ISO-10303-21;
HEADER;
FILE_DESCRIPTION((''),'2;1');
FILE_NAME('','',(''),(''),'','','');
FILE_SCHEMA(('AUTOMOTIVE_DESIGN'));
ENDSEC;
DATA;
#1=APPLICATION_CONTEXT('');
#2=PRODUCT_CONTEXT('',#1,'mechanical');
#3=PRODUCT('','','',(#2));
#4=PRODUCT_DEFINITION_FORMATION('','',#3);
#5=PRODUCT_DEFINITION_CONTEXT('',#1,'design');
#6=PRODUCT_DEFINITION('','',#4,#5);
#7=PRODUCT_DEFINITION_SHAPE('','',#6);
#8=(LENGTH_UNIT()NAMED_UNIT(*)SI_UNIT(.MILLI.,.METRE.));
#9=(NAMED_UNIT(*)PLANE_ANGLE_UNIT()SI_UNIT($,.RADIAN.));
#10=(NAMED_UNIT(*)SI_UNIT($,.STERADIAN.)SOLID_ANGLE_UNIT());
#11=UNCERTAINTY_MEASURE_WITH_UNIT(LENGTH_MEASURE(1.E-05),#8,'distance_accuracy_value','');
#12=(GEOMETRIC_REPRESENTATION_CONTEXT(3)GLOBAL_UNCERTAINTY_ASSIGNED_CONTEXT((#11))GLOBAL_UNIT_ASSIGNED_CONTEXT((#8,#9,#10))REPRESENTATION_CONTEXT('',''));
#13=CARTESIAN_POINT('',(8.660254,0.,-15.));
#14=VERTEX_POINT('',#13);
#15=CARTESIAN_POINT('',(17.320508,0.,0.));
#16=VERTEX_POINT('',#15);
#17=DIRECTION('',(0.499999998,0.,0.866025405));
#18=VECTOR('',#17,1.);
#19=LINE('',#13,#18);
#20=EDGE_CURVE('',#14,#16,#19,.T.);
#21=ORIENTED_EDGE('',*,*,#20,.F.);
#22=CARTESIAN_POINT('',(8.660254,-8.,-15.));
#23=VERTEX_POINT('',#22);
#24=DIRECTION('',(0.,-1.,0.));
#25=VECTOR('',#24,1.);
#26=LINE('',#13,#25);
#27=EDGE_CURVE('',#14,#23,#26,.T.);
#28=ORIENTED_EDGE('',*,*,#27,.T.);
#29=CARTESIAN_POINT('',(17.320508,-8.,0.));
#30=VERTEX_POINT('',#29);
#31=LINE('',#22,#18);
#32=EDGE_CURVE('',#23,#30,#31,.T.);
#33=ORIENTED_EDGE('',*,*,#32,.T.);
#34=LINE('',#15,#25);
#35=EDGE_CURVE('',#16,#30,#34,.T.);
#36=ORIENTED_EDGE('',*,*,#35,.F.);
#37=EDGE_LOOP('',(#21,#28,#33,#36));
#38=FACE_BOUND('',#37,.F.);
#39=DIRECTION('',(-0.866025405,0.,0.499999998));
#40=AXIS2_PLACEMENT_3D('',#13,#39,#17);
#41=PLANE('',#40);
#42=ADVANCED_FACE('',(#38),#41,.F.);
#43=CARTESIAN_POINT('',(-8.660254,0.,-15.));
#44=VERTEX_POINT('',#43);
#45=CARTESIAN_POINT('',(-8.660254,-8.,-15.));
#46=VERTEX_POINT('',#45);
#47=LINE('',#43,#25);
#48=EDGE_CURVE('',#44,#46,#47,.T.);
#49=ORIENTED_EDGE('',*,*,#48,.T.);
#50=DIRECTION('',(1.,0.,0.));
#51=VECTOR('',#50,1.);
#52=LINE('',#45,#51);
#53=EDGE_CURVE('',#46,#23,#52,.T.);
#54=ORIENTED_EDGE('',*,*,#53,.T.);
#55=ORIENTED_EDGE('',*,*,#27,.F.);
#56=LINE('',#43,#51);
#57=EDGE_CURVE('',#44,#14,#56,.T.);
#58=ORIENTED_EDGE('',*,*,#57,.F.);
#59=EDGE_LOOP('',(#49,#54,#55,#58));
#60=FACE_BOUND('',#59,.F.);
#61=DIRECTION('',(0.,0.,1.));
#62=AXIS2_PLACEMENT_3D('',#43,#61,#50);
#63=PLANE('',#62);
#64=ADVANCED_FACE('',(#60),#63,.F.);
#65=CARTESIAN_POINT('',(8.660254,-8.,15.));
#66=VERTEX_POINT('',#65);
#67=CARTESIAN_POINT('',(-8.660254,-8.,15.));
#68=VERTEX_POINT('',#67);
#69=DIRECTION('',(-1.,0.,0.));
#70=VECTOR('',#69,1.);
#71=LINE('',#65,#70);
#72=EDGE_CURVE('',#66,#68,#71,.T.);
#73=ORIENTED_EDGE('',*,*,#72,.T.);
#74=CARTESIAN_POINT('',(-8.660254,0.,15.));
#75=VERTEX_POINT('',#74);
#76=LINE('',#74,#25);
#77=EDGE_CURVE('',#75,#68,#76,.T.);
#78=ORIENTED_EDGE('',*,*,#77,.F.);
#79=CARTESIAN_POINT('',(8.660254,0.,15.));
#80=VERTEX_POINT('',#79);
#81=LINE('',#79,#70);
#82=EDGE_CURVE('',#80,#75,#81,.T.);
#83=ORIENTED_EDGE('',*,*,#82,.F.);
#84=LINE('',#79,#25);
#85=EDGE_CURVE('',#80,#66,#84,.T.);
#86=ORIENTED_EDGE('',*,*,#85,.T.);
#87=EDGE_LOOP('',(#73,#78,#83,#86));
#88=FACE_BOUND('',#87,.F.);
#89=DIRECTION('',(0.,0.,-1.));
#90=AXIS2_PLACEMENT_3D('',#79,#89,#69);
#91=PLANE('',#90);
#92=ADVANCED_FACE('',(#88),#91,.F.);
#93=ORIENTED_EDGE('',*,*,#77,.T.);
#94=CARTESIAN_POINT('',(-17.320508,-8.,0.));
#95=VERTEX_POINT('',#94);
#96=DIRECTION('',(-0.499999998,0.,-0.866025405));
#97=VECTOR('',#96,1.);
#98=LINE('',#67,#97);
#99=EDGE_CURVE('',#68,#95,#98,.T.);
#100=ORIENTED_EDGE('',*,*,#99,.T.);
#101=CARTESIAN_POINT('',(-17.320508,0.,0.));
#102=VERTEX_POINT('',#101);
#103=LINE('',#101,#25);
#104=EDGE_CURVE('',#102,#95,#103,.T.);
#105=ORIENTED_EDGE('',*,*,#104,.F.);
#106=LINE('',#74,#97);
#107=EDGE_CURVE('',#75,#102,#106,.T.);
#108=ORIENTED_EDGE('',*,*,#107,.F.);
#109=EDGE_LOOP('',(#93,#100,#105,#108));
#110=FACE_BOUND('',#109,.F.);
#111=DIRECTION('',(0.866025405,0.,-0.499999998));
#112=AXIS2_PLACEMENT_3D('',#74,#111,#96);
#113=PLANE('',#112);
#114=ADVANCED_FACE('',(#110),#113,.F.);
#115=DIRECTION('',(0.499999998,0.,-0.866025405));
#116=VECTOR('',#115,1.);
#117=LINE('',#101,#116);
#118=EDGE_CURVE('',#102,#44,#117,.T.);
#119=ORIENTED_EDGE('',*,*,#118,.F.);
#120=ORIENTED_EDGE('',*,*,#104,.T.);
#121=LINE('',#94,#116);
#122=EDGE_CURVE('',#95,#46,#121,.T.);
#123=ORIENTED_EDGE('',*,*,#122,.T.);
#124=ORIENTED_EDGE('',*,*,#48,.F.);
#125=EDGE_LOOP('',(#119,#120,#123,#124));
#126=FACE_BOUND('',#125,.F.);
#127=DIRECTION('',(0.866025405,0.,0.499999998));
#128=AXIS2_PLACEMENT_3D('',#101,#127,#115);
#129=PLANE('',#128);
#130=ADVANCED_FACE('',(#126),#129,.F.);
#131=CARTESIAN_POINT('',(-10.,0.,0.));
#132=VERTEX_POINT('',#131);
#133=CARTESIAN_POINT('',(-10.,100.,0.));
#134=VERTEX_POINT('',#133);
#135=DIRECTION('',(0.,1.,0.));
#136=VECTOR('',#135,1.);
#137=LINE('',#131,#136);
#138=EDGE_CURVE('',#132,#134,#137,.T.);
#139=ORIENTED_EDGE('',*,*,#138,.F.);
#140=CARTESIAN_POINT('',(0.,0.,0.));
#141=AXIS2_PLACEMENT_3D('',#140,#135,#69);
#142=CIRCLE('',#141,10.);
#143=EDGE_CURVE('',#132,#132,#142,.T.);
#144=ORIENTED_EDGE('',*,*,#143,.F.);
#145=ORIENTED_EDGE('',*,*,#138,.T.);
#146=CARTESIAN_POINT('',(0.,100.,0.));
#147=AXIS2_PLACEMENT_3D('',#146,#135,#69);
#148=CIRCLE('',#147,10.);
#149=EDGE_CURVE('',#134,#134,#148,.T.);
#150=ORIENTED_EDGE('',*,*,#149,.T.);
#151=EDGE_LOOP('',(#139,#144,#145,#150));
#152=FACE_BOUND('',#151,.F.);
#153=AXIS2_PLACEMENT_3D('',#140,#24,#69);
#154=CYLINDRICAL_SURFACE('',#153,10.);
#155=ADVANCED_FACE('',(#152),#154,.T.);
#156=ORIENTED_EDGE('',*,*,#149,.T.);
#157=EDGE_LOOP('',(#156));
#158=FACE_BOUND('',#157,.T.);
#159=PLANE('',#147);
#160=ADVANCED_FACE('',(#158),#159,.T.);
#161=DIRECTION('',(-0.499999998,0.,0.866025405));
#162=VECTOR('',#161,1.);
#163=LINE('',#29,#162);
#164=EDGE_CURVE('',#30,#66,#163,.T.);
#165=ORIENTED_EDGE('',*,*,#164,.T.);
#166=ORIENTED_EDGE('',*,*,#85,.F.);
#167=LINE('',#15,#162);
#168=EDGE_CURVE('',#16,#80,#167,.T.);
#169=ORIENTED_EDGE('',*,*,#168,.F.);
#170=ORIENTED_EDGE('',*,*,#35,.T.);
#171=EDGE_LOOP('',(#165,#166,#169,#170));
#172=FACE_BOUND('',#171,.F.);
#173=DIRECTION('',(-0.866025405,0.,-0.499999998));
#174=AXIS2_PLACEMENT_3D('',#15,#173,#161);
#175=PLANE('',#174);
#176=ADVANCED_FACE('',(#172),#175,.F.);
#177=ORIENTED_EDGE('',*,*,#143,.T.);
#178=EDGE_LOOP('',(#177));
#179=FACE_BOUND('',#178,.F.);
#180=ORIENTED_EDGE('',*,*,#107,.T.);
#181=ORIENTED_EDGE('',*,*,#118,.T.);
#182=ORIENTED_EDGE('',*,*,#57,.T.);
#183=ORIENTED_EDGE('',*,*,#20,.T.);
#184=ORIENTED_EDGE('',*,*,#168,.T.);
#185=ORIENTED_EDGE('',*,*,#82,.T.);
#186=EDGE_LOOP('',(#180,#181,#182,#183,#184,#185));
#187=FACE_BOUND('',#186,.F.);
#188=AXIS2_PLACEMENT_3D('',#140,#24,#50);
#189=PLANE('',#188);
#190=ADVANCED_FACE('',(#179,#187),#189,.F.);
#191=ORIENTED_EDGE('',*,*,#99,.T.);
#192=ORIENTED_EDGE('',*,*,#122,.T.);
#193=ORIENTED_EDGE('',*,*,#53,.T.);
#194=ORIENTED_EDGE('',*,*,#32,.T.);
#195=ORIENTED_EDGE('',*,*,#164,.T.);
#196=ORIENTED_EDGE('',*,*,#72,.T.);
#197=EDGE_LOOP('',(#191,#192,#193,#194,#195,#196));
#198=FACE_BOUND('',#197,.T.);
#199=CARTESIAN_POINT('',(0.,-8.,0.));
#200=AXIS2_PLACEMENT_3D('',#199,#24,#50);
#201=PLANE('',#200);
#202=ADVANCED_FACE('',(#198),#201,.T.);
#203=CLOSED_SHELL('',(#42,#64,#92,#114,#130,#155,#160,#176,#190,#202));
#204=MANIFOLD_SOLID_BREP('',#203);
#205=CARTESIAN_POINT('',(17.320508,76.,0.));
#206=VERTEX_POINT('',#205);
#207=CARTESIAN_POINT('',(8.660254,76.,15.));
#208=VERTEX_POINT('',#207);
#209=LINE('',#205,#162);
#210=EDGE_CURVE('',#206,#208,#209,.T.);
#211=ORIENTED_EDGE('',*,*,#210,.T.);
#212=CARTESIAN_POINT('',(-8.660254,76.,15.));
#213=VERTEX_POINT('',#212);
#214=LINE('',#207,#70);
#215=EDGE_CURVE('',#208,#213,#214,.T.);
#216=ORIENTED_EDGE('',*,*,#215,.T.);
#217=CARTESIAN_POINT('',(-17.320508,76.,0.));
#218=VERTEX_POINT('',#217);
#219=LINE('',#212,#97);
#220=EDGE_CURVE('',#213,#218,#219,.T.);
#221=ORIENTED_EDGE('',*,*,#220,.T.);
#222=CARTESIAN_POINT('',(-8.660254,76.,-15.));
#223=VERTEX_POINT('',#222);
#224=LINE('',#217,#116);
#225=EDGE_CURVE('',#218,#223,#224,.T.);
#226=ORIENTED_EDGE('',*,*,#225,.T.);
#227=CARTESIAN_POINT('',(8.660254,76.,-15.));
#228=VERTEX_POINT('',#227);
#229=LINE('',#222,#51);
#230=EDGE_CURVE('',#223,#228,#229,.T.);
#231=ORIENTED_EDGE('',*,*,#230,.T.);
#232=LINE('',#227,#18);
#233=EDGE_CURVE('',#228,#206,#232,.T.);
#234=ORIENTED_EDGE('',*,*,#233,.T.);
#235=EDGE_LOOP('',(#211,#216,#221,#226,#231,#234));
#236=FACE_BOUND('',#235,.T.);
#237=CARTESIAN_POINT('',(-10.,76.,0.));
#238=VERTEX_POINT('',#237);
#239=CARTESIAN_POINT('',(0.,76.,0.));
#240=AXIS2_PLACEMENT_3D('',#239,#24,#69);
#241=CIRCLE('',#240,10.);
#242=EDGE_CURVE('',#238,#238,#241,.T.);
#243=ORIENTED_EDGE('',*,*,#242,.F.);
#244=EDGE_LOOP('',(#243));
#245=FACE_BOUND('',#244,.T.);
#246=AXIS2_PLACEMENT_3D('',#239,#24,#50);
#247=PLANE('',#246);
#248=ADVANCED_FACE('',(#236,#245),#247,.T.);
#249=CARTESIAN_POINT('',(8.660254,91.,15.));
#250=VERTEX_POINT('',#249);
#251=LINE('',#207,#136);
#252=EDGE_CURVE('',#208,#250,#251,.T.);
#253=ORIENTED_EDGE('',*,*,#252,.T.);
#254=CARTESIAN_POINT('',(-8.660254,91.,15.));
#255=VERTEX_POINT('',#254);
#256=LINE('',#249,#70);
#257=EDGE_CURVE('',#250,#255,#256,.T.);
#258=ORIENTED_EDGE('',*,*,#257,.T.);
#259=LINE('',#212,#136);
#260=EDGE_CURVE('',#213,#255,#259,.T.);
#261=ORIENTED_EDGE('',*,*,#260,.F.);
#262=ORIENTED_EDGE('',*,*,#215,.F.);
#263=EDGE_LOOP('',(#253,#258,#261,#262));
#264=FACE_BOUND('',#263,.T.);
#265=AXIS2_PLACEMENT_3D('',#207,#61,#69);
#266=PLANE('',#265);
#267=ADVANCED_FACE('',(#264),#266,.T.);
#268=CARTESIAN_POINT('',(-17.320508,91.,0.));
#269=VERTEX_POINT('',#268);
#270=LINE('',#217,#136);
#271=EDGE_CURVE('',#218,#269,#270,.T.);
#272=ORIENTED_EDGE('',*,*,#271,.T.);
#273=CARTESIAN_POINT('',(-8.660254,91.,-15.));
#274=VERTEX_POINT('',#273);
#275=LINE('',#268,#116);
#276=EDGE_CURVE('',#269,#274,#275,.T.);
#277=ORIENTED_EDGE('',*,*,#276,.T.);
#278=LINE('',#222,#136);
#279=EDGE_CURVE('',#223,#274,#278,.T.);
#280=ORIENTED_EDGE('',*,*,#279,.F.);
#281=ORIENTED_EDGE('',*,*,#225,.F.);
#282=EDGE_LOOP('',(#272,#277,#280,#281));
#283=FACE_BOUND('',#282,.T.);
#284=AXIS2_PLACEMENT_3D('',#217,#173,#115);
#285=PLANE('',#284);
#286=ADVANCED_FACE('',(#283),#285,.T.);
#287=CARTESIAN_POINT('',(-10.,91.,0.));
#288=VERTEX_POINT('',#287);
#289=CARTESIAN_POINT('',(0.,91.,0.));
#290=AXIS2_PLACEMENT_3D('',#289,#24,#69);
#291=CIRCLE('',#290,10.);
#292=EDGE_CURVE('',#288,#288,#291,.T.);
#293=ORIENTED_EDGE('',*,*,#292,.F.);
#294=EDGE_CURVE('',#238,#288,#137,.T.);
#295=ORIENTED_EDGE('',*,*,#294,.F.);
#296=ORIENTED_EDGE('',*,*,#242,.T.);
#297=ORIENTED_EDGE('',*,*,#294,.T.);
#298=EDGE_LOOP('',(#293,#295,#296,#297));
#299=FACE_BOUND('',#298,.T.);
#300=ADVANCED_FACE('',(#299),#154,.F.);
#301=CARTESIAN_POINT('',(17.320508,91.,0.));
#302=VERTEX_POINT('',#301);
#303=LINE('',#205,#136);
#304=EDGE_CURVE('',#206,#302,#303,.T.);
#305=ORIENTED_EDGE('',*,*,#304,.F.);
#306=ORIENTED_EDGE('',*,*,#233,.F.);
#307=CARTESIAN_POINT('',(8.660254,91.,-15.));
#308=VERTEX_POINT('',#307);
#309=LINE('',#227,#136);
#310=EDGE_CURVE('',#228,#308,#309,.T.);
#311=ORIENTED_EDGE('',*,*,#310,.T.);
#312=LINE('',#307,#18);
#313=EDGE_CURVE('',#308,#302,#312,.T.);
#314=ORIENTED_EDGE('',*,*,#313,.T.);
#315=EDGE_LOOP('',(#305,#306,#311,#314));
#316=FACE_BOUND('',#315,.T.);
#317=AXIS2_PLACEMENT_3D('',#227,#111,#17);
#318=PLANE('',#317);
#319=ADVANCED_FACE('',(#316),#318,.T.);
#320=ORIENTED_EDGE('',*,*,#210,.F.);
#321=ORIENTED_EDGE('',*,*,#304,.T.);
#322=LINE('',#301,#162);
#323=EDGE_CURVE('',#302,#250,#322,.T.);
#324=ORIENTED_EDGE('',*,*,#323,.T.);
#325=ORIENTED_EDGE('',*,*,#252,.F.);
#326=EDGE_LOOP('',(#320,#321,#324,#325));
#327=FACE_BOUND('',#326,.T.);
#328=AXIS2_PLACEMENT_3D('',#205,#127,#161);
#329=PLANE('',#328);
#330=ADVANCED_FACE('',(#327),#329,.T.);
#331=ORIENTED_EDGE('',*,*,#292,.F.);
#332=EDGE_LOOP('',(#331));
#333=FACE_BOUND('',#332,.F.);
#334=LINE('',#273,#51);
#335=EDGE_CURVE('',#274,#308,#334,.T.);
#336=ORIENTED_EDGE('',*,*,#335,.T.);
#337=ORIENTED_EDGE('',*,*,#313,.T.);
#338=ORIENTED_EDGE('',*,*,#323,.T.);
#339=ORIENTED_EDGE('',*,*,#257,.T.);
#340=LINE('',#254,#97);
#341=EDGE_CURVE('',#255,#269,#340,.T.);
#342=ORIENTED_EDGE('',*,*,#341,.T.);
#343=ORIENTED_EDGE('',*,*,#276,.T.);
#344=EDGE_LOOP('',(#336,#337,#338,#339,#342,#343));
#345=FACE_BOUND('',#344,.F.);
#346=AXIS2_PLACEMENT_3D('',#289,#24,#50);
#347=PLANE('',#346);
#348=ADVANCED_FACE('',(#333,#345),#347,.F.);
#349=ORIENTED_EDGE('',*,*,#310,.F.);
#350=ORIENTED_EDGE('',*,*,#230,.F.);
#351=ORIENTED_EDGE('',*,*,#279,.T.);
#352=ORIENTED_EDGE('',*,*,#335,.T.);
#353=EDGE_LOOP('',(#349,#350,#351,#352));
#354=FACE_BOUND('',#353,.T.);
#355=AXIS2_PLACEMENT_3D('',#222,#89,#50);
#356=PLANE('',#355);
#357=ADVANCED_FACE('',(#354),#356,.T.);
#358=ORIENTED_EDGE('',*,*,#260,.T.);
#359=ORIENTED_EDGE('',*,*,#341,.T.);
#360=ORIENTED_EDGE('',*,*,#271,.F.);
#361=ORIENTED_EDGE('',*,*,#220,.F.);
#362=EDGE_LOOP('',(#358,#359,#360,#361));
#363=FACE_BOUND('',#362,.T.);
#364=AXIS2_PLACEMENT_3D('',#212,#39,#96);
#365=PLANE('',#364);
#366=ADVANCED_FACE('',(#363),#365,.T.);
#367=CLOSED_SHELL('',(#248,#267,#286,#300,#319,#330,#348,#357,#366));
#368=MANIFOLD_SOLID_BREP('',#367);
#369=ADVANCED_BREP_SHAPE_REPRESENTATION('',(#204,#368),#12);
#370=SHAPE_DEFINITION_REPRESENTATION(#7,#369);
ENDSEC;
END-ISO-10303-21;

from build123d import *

# Parameters (mm, degrees)
F1_DEPTH = 8
F2_R     = 10
F3_DEPTH = 100
F6_DEPTH = 15


with BuildPart() as f1:
    # F0 (on Front) → F1 (new body)
    with BuildSketch(Plane.XZ):
        Polygon((17.320508, 0), (8.660254, 15), (-8.660254, 15), (-17.320508, 0), (-8.660254, -15), (8.660254, -15), align=None)
    extrude(amount=F1_DEPTH)

    # F2 (on face) → F3 (join)
    with BuildSketch(Plane(origin=(0, 0, 0), x_dir=(-1, 0, 0), z_dir=(0, 1, 0))):
        Circle(F2_R)
    extrude(amount=F3_DEPTH)


with BuildPart() as f6:
    # F5 (on offset) → F6 (new body)
    with BuildSketch(Plane.XZ.offset(-76)):
        Polygon((-17.320508, 0), (-8.660254, -15), (8.660254, -15), (17.320508, 0), (8.660254, 15), (-8.660254, 15), align=None)
    extrude(amount=-F6_DEPTH)

    # F7: cut F1
    add(f1.part, mode=Mode.SUBTRACT)


solid = Compound([f1.part, f6.part])
